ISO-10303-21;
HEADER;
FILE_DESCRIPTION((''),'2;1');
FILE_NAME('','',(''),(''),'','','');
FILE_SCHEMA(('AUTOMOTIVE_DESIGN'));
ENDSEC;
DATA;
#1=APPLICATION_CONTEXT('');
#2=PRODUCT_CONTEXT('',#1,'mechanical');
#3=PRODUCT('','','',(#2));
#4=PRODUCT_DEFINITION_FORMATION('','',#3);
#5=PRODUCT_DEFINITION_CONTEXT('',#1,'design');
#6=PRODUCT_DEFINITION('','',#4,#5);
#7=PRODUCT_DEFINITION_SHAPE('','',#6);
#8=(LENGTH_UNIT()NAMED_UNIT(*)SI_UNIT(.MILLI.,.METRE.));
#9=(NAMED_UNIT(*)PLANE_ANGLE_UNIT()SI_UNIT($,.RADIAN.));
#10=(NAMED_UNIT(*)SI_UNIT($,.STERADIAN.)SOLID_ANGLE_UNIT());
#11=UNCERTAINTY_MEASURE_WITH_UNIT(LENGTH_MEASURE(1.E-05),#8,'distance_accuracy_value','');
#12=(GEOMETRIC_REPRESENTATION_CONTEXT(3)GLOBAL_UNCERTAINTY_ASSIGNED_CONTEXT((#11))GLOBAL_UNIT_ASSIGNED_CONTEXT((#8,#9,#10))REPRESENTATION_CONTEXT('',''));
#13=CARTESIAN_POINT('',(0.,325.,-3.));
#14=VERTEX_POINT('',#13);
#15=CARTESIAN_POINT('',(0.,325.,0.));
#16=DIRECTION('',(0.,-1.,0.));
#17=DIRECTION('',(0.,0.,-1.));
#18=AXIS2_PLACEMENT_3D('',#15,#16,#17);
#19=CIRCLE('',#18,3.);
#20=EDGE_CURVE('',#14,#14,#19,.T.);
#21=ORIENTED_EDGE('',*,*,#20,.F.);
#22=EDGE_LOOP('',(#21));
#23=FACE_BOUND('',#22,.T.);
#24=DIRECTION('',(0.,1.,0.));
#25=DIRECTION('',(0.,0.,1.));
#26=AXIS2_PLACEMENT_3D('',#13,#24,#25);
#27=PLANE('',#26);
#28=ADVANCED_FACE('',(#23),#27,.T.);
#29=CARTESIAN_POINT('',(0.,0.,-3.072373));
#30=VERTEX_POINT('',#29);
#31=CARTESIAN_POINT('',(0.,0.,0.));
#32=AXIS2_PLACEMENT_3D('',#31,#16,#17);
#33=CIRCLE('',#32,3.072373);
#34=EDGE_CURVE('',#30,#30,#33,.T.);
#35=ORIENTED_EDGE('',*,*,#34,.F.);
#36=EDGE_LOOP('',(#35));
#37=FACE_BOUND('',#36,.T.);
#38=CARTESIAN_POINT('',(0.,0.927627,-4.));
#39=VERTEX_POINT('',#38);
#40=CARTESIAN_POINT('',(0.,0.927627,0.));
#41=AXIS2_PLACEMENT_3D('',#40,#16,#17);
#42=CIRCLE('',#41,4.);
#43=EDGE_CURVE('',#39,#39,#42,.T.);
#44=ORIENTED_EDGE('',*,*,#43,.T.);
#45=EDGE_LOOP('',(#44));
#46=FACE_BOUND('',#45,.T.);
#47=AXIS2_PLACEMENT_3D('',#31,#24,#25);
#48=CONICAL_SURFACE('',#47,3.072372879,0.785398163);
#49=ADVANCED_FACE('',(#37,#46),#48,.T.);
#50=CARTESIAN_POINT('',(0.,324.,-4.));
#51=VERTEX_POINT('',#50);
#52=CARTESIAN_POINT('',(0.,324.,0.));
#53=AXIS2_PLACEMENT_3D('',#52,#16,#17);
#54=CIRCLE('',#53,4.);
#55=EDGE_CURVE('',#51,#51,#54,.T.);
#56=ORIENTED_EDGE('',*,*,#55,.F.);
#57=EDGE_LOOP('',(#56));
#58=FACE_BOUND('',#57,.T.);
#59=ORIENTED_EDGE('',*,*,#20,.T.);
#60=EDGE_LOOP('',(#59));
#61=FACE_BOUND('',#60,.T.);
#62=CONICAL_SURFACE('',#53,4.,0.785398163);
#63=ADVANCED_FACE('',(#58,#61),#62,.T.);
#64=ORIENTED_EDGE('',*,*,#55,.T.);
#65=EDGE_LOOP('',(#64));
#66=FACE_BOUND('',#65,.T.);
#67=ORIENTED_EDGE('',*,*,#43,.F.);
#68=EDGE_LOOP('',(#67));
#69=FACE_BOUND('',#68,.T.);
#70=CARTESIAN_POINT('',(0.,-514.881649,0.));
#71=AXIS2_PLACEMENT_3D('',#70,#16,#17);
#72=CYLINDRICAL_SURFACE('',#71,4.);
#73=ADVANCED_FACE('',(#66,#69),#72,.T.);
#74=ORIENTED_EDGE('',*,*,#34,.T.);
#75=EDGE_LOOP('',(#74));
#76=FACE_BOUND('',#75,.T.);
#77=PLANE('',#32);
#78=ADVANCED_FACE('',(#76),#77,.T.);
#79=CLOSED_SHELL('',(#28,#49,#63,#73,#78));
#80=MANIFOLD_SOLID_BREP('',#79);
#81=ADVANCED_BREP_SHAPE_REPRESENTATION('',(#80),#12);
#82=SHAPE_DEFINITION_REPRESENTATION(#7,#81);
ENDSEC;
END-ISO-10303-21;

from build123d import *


with BuildPart() as part:
    # Sketch1 → Revolve1 (revolve)
    with BuildSketch(Plane(origin=(0, 0, 0), x_dir=(0, 0, -1), z_dir=(1, 0, 0))):
        Polygon((0, 0), (0, 325), (3, 325), (4, 324), (4, 0.927627121), (3.072372879, 0), align=None)
    revolve(axis=Axis((0, -514.881648805, 0), (0, 1, 0)))


solid = part.part
